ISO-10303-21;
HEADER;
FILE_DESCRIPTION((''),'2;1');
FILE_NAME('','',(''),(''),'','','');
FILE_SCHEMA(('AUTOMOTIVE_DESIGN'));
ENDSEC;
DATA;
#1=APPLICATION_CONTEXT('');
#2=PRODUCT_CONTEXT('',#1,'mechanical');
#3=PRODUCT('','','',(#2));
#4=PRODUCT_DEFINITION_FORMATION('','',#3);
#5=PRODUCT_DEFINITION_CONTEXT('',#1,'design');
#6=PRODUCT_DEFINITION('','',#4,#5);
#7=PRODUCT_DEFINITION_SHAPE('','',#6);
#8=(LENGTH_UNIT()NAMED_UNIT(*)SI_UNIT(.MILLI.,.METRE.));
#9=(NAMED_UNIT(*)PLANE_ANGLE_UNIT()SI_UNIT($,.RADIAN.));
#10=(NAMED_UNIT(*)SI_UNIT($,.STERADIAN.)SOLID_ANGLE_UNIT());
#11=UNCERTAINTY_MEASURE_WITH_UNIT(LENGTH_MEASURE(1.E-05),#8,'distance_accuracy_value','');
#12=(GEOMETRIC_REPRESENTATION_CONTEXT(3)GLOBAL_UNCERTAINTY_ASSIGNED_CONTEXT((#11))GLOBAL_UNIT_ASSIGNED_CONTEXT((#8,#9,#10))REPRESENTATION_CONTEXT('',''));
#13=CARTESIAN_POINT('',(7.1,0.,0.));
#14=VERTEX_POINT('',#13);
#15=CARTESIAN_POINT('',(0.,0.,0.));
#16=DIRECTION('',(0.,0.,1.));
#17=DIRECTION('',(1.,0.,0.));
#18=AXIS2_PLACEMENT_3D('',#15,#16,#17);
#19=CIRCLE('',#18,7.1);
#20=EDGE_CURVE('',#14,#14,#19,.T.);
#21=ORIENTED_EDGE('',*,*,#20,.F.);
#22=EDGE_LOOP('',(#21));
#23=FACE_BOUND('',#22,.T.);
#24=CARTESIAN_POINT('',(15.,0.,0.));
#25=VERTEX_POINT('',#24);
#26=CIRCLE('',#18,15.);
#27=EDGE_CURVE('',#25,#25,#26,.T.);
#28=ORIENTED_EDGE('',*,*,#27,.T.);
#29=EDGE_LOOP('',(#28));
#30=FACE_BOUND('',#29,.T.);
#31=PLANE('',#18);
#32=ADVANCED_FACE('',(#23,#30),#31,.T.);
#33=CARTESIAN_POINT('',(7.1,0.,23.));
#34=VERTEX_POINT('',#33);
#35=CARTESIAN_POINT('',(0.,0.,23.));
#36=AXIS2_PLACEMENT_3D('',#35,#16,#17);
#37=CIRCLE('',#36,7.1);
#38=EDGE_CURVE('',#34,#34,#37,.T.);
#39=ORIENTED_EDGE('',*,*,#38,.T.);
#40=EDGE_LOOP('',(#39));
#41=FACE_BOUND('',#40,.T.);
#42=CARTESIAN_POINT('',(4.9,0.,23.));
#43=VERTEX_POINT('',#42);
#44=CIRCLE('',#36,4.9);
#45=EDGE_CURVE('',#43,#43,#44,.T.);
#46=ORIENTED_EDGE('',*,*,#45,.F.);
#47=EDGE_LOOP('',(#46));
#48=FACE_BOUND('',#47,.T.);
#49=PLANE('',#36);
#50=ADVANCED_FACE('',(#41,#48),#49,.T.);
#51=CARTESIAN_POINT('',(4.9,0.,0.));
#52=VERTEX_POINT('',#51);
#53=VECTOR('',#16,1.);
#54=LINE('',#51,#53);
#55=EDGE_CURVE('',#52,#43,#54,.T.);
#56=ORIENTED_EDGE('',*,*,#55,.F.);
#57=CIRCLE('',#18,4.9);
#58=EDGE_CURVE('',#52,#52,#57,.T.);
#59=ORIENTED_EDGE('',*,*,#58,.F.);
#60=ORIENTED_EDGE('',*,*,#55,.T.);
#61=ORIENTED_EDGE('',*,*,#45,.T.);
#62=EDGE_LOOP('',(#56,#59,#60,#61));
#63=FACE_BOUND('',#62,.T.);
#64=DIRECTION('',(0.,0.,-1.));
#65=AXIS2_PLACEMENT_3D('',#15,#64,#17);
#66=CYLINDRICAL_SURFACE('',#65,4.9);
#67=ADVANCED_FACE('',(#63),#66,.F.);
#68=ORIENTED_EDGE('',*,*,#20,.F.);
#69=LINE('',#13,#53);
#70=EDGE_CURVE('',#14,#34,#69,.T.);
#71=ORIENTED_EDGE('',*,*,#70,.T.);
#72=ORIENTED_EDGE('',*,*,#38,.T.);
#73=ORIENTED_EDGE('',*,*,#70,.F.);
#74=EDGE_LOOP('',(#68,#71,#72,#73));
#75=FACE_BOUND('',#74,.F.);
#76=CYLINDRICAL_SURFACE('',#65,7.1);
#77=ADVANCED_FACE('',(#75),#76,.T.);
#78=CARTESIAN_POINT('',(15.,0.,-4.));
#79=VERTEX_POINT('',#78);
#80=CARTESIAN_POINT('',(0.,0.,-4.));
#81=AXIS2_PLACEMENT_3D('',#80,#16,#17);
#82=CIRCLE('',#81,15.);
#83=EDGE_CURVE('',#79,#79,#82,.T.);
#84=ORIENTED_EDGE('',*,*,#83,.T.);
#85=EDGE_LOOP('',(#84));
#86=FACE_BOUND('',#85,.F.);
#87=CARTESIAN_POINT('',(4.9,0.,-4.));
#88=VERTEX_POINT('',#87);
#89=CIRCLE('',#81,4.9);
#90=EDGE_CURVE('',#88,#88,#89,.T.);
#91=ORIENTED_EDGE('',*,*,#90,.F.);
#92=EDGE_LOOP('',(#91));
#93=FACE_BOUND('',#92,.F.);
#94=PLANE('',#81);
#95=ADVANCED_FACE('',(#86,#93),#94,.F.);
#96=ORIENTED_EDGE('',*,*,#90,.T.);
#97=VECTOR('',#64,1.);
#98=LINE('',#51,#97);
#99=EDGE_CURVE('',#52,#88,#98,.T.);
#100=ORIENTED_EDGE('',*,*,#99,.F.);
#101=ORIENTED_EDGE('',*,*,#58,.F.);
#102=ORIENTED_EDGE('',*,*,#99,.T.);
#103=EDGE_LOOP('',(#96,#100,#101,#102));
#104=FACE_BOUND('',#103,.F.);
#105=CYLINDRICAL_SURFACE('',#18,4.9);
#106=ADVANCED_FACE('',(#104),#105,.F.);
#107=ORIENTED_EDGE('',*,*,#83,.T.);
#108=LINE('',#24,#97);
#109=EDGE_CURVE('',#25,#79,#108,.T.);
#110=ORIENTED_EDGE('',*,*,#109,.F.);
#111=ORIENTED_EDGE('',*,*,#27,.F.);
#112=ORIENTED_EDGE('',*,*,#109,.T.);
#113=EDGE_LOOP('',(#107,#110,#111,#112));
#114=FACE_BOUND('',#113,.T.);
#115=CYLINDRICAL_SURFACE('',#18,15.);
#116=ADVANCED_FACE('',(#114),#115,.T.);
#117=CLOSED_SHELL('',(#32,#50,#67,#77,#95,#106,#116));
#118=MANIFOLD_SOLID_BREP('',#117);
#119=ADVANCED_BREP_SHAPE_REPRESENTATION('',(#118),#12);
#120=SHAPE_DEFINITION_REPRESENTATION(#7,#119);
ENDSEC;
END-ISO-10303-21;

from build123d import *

# Parameters (mm, degrees)
SKETCH_R      = 7.1
SKETCH_R_2    = 4.9
PAD_DEPTH     = 23
SKETCH001_R   = 15
SKETCH001_R_2 = 4.9
PAD001_DEPTH  = 4


with BuildPart() as part:
    # Sketch → Pad (new body)
    with BuildSketch(Plane.XY):
        Circle(SKETCH_R)
        Circle(SKETCH_R_2, mode=Mode.SUBTRACT)
    extrude(amount=PAD_DEPTH)

    # Sketch001 → Pad001 (join)
    with BuildSketch(Plane.XY):
        Circle(SKETCH001_R)
        Circle(SKETCH001_R_2, mode=Mode.SUBTRACT)
    extrude(amount=-PAD001_DEPTH)


solid = part.part
